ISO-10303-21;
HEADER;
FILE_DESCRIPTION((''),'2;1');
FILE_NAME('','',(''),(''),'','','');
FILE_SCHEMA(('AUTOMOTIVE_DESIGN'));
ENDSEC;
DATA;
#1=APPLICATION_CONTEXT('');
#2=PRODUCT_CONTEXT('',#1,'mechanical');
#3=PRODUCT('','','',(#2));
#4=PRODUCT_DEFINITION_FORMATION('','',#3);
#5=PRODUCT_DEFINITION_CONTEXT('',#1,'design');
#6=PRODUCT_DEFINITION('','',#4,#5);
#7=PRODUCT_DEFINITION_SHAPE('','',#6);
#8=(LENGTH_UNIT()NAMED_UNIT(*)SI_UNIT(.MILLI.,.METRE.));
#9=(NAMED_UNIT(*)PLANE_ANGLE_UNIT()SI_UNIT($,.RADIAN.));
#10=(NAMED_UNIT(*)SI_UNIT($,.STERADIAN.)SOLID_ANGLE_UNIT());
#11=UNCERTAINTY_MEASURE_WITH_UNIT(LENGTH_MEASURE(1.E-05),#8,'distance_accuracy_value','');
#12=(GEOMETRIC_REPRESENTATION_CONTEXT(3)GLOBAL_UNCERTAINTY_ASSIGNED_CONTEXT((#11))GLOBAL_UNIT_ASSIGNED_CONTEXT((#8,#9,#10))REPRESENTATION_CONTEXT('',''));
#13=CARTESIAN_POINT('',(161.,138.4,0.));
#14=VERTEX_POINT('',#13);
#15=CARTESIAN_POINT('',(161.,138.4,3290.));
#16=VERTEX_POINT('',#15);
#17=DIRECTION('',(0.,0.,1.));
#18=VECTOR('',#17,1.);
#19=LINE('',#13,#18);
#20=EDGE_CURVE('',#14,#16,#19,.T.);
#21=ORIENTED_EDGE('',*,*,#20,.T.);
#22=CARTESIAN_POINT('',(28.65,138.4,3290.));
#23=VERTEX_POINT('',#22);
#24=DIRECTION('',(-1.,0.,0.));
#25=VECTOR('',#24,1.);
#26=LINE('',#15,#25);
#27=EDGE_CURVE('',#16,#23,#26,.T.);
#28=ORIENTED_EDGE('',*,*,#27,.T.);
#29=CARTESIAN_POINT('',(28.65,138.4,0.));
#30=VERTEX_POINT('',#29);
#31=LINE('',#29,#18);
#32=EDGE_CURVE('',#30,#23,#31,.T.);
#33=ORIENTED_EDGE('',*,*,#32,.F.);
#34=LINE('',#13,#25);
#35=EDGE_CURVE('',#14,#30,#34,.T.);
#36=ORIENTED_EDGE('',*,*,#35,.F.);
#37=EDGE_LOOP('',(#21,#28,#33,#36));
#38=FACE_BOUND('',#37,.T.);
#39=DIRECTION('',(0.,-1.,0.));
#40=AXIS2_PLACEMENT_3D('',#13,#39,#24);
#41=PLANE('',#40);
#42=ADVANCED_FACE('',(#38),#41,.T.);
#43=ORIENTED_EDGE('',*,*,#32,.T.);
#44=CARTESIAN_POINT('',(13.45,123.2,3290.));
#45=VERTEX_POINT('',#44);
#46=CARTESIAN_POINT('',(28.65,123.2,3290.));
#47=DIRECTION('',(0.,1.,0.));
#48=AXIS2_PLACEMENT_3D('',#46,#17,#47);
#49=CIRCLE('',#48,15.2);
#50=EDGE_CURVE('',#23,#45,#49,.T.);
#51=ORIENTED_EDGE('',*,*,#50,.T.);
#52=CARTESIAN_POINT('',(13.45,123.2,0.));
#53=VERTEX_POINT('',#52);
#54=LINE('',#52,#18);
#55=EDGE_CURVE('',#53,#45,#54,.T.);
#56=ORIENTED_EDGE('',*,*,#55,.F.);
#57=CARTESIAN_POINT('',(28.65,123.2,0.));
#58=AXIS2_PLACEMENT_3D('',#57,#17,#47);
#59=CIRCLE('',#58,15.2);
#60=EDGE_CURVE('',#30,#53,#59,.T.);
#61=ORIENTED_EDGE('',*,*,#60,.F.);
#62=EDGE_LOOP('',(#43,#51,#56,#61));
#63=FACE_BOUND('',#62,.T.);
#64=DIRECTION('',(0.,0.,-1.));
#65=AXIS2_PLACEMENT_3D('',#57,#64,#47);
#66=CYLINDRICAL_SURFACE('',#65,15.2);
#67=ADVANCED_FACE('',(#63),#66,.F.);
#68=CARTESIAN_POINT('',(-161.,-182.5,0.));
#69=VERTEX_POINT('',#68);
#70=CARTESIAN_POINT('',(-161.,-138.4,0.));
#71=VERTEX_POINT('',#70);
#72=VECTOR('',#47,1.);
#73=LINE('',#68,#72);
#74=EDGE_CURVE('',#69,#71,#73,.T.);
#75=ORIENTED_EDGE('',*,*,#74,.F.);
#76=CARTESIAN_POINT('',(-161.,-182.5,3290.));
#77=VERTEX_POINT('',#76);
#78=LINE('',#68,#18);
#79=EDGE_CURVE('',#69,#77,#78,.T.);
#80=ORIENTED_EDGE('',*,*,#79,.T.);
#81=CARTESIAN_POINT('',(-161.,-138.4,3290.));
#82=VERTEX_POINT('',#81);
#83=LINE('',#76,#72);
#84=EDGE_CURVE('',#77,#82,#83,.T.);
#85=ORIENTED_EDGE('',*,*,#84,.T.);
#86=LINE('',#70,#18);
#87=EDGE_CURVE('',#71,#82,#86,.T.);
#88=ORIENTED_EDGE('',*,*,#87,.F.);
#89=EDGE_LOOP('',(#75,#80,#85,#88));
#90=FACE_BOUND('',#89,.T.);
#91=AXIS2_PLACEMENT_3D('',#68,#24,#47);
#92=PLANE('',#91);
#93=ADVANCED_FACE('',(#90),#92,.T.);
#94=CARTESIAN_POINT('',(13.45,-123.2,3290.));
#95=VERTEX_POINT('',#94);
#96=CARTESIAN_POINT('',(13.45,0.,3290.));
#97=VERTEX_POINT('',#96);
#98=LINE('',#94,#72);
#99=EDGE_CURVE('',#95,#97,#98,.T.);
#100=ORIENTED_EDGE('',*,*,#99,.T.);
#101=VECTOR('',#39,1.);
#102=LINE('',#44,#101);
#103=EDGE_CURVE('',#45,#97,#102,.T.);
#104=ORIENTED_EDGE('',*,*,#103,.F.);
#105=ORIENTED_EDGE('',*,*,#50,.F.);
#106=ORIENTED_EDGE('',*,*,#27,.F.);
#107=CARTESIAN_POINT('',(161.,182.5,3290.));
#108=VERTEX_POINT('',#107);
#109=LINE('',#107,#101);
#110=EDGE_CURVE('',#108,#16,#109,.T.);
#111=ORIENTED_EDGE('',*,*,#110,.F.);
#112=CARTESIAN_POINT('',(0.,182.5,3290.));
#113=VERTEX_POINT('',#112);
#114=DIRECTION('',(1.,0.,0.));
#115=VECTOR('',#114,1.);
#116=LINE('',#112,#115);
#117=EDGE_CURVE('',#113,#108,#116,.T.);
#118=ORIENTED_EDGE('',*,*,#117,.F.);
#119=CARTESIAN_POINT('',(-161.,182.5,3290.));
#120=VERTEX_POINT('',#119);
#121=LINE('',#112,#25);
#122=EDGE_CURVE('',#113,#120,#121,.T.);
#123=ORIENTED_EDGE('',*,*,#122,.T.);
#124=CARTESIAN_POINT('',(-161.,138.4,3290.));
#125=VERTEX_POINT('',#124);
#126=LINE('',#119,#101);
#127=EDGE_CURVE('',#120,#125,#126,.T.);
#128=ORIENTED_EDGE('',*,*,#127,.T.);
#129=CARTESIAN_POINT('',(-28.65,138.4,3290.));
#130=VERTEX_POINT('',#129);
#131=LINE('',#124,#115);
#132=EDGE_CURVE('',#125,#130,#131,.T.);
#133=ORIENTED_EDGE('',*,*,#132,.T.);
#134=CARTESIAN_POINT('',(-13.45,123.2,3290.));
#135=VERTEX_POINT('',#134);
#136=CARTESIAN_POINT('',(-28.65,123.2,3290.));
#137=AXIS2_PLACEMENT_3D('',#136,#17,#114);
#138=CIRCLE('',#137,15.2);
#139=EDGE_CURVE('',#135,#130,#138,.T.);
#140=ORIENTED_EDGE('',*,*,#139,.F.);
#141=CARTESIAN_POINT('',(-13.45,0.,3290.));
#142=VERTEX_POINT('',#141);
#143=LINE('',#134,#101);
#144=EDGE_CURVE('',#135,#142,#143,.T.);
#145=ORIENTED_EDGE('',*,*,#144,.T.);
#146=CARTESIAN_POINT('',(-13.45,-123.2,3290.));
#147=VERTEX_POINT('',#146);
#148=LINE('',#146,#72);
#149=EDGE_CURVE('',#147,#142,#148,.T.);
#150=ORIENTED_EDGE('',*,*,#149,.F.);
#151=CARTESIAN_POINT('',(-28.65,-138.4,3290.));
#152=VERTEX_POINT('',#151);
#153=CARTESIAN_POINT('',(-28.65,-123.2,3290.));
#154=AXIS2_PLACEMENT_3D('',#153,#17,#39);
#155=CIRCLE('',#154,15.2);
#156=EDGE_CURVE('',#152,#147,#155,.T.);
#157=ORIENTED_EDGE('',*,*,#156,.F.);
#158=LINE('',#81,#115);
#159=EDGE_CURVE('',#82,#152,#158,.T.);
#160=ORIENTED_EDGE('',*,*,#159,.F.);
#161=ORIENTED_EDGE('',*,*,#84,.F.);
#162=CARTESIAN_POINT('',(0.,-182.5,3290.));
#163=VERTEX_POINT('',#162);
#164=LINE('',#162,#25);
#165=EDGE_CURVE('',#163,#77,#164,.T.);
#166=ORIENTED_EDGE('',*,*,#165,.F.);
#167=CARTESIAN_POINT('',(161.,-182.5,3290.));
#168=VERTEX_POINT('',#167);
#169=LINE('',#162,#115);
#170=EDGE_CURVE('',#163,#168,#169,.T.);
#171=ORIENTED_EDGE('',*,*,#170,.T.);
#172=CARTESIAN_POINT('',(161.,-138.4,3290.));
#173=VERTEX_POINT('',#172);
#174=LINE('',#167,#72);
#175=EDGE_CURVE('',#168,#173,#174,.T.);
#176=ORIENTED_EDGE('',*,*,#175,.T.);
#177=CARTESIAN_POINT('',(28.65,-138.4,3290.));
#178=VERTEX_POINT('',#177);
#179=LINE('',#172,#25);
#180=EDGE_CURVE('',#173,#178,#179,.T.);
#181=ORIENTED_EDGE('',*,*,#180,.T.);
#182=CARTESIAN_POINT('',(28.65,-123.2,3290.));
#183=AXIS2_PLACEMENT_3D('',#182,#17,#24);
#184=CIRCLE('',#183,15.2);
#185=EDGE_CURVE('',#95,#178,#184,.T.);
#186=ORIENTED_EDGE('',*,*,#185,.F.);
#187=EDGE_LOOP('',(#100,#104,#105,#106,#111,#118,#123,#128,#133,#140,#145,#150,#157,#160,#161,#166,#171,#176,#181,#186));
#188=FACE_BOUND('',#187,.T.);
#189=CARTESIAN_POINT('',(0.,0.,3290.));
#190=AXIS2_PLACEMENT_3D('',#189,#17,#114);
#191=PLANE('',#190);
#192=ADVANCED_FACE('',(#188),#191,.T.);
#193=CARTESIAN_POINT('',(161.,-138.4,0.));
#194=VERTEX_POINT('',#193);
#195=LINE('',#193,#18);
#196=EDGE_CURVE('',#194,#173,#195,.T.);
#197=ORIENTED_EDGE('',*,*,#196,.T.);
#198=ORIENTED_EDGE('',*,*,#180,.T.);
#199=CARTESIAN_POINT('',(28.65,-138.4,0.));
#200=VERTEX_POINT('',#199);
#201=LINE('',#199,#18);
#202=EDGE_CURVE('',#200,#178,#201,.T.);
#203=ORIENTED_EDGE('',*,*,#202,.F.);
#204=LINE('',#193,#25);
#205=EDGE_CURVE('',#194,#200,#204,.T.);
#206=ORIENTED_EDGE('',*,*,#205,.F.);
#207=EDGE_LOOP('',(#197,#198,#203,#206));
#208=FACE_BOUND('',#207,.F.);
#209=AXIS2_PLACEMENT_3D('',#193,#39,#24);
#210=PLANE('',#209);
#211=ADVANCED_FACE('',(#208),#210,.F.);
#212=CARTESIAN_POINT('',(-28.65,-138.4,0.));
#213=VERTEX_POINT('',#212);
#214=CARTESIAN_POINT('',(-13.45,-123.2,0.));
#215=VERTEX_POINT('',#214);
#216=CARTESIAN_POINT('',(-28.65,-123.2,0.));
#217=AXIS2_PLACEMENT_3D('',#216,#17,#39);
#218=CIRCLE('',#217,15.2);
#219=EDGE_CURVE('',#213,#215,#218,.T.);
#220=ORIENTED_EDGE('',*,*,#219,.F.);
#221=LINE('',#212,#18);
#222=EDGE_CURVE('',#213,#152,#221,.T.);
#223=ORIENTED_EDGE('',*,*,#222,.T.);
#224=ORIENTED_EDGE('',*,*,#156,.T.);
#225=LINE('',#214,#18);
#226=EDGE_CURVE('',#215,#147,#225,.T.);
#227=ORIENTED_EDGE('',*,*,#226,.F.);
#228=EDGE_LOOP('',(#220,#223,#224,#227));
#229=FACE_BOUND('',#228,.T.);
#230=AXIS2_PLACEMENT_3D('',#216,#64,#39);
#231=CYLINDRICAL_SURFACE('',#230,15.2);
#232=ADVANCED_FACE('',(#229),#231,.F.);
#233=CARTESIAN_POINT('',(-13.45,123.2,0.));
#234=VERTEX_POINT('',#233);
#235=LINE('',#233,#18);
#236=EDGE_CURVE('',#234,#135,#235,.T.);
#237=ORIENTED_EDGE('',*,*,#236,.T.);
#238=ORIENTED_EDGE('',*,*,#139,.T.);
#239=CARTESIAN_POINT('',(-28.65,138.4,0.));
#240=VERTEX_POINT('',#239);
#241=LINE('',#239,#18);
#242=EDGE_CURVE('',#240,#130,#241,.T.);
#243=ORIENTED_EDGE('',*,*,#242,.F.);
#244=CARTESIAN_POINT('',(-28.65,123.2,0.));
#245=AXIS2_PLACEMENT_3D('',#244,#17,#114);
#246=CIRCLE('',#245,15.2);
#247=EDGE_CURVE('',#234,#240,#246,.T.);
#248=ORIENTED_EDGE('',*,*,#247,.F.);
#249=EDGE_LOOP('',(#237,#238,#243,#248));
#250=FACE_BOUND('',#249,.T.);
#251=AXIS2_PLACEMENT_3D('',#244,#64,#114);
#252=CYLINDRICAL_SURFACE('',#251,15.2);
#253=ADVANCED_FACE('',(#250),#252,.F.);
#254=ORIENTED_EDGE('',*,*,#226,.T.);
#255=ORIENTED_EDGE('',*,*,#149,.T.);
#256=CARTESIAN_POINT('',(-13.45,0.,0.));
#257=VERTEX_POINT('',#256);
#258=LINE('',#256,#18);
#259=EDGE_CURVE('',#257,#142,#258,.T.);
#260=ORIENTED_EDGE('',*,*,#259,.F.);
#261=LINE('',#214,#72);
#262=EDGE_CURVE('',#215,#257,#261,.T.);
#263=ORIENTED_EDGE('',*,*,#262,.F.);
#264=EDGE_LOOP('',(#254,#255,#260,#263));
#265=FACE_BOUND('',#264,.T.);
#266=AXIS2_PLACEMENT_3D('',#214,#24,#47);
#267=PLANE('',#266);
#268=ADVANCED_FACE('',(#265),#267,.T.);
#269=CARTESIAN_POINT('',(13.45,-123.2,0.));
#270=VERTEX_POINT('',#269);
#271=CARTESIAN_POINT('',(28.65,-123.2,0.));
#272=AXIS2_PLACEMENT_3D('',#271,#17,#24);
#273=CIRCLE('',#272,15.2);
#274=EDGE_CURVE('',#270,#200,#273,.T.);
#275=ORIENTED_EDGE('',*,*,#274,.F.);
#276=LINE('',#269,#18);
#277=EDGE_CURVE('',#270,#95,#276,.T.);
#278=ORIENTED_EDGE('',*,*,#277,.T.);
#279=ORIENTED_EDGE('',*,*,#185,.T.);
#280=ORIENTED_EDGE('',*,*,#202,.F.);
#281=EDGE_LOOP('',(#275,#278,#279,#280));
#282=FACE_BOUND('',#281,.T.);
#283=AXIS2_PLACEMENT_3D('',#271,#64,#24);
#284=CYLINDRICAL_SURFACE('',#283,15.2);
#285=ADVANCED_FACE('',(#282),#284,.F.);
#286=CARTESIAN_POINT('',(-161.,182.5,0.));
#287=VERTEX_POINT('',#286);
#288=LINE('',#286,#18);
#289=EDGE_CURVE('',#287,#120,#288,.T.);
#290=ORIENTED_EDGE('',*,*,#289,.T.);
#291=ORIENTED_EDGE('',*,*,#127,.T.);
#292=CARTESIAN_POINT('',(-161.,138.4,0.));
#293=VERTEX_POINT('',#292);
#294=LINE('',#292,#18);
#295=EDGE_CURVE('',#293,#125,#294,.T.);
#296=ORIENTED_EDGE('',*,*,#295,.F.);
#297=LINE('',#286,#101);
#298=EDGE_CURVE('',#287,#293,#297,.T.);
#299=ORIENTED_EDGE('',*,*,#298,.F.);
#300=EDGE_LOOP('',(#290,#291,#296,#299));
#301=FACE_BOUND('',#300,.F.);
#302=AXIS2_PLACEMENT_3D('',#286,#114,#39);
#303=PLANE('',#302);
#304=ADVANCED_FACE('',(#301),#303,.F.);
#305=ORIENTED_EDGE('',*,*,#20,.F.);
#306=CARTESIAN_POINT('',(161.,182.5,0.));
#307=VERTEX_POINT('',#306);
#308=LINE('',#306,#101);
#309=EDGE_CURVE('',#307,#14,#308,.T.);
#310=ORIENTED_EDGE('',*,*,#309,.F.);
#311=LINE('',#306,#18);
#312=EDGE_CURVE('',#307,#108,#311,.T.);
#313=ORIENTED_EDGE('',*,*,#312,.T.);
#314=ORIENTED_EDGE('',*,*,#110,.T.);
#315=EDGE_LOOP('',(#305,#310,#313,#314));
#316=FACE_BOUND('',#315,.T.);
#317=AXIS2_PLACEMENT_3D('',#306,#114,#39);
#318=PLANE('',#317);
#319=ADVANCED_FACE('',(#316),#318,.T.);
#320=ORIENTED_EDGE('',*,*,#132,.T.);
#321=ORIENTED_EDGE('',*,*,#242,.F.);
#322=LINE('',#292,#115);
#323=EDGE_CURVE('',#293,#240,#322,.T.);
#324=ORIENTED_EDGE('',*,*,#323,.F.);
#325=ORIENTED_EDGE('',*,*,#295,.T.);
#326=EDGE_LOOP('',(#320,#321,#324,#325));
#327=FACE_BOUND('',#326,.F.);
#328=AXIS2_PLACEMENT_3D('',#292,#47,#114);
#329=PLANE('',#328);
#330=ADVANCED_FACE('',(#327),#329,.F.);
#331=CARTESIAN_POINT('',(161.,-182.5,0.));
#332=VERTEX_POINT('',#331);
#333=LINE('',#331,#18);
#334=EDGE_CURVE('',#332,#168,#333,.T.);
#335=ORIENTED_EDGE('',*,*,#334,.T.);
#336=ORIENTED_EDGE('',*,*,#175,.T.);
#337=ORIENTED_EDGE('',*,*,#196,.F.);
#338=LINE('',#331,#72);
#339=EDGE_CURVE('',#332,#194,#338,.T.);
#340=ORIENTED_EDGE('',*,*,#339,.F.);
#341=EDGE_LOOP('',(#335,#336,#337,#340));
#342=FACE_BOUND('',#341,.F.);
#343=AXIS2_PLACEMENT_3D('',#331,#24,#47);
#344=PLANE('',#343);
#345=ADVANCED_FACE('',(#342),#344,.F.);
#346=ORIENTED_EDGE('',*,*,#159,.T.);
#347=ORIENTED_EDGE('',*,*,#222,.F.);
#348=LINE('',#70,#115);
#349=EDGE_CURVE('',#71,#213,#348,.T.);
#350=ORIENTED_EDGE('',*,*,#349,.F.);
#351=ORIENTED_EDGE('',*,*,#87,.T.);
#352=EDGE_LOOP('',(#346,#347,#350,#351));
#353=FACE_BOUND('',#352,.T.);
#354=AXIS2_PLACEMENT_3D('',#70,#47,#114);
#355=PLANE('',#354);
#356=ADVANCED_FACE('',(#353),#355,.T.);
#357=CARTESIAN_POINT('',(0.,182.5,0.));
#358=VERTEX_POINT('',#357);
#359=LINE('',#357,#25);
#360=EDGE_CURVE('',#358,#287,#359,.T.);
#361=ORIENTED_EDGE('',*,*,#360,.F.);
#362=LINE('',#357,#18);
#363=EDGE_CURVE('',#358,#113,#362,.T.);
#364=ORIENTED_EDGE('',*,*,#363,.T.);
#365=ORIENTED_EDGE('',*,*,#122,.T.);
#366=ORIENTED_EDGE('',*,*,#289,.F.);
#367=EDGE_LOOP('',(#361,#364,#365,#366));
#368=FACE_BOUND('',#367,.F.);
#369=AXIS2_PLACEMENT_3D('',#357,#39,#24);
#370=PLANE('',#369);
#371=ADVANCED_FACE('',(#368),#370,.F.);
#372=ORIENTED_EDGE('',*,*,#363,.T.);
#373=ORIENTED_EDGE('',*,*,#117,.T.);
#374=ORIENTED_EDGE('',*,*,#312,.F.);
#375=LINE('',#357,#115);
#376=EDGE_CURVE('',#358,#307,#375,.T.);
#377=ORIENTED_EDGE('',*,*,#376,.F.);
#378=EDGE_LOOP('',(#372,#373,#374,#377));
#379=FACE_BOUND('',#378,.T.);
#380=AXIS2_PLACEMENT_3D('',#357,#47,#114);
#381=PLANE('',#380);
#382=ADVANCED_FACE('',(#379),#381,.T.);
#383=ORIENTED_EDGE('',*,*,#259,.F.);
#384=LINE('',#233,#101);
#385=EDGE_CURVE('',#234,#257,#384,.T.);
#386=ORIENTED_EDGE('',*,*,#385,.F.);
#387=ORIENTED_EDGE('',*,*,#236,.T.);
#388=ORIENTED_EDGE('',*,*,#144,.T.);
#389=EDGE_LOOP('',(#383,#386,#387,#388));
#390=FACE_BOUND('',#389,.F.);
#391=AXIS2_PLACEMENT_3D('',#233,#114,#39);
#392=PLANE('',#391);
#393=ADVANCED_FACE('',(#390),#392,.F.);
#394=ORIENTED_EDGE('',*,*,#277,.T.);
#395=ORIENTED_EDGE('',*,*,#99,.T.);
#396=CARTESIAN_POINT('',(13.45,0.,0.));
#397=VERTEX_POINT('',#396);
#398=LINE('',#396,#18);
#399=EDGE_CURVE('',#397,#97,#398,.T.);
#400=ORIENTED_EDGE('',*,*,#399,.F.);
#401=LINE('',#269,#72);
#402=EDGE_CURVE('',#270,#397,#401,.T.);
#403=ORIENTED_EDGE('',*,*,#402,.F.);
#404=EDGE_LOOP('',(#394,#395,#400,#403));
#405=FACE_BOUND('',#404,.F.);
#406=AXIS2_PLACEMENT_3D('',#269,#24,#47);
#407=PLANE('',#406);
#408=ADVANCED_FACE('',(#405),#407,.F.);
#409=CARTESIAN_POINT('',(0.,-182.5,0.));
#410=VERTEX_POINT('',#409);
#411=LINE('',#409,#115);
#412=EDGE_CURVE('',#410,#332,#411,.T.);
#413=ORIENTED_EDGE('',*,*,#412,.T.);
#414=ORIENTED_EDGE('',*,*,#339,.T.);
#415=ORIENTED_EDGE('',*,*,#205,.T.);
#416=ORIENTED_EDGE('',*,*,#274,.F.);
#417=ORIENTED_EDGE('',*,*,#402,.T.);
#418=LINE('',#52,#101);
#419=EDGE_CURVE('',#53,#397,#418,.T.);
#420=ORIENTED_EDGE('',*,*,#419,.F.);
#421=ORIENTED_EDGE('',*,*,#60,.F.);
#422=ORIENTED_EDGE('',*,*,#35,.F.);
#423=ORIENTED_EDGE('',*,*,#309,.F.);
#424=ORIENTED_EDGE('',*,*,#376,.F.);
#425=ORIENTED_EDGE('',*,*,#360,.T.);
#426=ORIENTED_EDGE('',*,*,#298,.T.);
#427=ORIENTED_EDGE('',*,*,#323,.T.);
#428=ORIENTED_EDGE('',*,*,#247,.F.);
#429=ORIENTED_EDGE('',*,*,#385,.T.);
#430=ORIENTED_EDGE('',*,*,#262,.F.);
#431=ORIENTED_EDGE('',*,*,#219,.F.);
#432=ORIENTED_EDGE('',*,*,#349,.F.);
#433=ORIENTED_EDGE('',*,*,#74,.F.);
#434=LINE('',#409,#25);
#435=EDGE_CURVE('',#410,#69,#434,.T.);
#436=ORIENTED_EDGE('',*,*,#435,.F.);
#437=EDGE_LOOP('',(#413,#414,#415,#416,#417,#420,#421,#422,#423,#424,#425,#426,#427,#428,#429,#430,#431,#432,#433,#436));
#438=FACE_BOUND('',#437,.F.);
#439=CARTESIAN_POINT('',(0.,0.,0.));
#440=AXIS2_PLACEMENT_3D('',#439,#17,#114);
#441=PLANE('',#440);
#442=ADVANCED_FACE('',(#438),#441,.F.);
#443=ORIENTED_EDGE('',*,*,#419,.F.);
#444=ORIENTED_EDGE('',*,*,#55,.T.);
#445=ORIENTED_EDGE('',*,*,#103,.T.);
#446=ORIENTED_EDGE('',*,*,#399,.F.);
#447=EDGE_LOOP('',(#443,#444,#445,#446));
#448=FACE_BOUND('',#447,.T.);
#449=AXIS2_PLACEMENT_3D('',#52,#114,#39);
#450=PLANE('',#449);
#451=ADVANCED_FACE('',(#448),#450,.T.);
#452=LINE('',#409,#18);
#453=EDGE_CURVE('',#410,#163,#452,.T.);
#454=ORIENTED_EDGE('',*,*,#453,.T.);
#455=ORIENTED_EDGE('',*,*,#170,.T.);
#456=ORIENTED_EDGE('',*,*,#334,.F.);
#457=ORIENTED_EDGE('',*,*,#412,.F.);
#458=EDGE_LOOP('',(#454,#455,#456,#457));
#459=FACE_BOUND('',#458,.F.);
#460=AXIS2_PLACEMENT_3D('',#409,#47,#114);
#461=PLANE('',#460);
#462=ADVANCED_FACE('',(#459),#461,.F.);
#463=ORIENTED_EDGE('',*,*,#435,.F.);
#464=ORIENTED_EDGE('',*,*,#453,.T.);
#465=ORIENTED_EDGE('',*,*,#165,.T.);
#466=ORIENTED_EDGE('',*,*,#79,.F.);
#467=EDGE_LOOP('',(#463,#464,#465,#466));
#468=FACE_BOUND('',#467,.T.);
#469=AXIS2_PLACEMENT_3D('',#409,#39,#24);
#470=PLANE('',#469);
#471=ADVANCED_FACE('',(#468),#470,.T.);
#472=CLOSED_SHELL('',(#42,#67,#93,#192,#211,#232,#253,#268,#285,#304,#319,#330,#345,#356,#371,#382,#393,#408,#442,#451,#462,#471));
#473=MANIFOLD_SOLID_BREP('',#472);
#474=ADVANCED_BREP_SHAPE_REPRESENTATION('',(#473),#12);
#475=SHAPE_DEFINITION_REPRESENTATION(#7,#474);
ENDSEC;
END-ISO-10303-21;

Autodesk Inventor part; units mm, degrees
ref_plane "YZ Plane" through (0, 0, 0) normal (1, 0, 0) x (0, 1, 0)
ref_plane "Start plane" through (0, 0, 0) normal (0, 0, 1) x (1, 0, 0)
ref_plane "End plane" through (0, 0, 3290) normal (0, 0, 1) x (1, 0, 0)
sketch "Sketch" plane through (0, 0, 0) normal (0, 0, 1) x (1, 0, 0)
  line L0 (-161, -182.5) -> (-161, -138.4)
  line L1 (-161, -138.4) -> (-28.65, -138.4)
  line L2 (-13.45, -123.2) -> (-13.45, 0)
  line L3 (-13.45, 0) -> (0, 0) construction
  line L4 (0, 0) -> (0, -182.5) construction
  line L5 (0, -182.5) -> (-161, -182.5)
  line L6 (-60, 0) -> (80, 0) construction
  line L7 (0, -60) -> (0, 80) construction
  line L8 (161, -182.5) -> (161, -138.4)
  line L9 (161, -138.4) -> (28.65, -138.4)
  line L10 (13.45, -123.2) -> (13.45, 0)
  line L11 (13.45, 0) -> (0, 0) construction
  line L12 (0, -182.5) -> (161, -182.5)
  line L13 (-161, 182.5) -> (-161, 138.4)
  line L14 (-161, 138.4) -> (-28.65, 138.4)
  line L15 (-13.45, 123.2) -> (-13.45, 0)
  line L16 (0, 182.5) -> (-161, 182.5)
  line L17 (161, 182.5) -> (161, 138.4)
  line L18 (161, 138.4) -> (28.65, 138.4)
  line L19 (0, 182.5) -> (161, 182.5)
  line L20 (13.45, 123.2) -> (13.45, 0)
  arc A0 (-13.45, 123.2) -> (-28.65, 138.4) centre (-28.65, 123.2) ccw
  arc A1 (28.65, 138.4) -> (13.45, 123.2) centre (28.65, 123.2) ccw
  arc A2 (13.45, -123.2) -> (28.65, -138.4) centre (28.65, -123.2) ccw
  arc A3 (-28.65, -138.4) -> (-13.45, -123.2) centre (-28.65, -123.2) ccw
  line L21 (0, 108) -> (0, -88) construction
  line L22 (-88, 0) -> (108, 0) construction
  point P0 (-13.45, -138.4)
  point P1 (13.45, -138.4)
  point P2 (-13.45, 138.4)
  point P3 (13.45, 138.4)
  dimension "d1" = 182.5
  dimension "d2" = 44.1
  dimension "d3" = 161
  dimension "d4" = 13.45
  dimension "d10" = 15.2
extrude "Body" add sketch "Sketch" along normal up to surface (3290 mm away) from surface at 0
sketch "Sketch4" plane through (0, 0, 0) normal (0, 0, 1) x (1, 0, 0)
  line L0 (0, 0) -> (10, 0)
ref_plane "Work Plane3" through (0, 0, 0) normal (0, -1, 0) x (1, 0, 0)
sketch "Sketch5" plane through (0, 0, 0) normal (0, -1, 0) x (1, 0, 0)
  line L0 (-2, 0) -> (12, 0) projected
  line L1 (-2, 3290) -> (12, 3290) projected
  dimension "d14" = 3290
equation "\"d1\" = 0.5 * G_H"
equation "\"d2\" = G_T1"
equation "\"d3\" = 0.5 * G_W"
equation "\"d4\" = 0.5 * G_T"
equation "\"d10\" = G_IR"
equation "\"d5\" = G_L"
equation "\"G_W\" = 322"
equation "\"G_H\" = 365"
equation "\"G_T\" = 26.9"
equation "\"G_T1\" = 44.1"
equation "\"G_IR\" = 15.2"
equation "\"G_L\" = d14"
equation "\"G_OFFSET_START\" = 0"
equation "\"G_OFFSET_END\" = 0"
properties part number "AS 3679 - 310 UC - 283 - 3290" material "Steel, Mild"
